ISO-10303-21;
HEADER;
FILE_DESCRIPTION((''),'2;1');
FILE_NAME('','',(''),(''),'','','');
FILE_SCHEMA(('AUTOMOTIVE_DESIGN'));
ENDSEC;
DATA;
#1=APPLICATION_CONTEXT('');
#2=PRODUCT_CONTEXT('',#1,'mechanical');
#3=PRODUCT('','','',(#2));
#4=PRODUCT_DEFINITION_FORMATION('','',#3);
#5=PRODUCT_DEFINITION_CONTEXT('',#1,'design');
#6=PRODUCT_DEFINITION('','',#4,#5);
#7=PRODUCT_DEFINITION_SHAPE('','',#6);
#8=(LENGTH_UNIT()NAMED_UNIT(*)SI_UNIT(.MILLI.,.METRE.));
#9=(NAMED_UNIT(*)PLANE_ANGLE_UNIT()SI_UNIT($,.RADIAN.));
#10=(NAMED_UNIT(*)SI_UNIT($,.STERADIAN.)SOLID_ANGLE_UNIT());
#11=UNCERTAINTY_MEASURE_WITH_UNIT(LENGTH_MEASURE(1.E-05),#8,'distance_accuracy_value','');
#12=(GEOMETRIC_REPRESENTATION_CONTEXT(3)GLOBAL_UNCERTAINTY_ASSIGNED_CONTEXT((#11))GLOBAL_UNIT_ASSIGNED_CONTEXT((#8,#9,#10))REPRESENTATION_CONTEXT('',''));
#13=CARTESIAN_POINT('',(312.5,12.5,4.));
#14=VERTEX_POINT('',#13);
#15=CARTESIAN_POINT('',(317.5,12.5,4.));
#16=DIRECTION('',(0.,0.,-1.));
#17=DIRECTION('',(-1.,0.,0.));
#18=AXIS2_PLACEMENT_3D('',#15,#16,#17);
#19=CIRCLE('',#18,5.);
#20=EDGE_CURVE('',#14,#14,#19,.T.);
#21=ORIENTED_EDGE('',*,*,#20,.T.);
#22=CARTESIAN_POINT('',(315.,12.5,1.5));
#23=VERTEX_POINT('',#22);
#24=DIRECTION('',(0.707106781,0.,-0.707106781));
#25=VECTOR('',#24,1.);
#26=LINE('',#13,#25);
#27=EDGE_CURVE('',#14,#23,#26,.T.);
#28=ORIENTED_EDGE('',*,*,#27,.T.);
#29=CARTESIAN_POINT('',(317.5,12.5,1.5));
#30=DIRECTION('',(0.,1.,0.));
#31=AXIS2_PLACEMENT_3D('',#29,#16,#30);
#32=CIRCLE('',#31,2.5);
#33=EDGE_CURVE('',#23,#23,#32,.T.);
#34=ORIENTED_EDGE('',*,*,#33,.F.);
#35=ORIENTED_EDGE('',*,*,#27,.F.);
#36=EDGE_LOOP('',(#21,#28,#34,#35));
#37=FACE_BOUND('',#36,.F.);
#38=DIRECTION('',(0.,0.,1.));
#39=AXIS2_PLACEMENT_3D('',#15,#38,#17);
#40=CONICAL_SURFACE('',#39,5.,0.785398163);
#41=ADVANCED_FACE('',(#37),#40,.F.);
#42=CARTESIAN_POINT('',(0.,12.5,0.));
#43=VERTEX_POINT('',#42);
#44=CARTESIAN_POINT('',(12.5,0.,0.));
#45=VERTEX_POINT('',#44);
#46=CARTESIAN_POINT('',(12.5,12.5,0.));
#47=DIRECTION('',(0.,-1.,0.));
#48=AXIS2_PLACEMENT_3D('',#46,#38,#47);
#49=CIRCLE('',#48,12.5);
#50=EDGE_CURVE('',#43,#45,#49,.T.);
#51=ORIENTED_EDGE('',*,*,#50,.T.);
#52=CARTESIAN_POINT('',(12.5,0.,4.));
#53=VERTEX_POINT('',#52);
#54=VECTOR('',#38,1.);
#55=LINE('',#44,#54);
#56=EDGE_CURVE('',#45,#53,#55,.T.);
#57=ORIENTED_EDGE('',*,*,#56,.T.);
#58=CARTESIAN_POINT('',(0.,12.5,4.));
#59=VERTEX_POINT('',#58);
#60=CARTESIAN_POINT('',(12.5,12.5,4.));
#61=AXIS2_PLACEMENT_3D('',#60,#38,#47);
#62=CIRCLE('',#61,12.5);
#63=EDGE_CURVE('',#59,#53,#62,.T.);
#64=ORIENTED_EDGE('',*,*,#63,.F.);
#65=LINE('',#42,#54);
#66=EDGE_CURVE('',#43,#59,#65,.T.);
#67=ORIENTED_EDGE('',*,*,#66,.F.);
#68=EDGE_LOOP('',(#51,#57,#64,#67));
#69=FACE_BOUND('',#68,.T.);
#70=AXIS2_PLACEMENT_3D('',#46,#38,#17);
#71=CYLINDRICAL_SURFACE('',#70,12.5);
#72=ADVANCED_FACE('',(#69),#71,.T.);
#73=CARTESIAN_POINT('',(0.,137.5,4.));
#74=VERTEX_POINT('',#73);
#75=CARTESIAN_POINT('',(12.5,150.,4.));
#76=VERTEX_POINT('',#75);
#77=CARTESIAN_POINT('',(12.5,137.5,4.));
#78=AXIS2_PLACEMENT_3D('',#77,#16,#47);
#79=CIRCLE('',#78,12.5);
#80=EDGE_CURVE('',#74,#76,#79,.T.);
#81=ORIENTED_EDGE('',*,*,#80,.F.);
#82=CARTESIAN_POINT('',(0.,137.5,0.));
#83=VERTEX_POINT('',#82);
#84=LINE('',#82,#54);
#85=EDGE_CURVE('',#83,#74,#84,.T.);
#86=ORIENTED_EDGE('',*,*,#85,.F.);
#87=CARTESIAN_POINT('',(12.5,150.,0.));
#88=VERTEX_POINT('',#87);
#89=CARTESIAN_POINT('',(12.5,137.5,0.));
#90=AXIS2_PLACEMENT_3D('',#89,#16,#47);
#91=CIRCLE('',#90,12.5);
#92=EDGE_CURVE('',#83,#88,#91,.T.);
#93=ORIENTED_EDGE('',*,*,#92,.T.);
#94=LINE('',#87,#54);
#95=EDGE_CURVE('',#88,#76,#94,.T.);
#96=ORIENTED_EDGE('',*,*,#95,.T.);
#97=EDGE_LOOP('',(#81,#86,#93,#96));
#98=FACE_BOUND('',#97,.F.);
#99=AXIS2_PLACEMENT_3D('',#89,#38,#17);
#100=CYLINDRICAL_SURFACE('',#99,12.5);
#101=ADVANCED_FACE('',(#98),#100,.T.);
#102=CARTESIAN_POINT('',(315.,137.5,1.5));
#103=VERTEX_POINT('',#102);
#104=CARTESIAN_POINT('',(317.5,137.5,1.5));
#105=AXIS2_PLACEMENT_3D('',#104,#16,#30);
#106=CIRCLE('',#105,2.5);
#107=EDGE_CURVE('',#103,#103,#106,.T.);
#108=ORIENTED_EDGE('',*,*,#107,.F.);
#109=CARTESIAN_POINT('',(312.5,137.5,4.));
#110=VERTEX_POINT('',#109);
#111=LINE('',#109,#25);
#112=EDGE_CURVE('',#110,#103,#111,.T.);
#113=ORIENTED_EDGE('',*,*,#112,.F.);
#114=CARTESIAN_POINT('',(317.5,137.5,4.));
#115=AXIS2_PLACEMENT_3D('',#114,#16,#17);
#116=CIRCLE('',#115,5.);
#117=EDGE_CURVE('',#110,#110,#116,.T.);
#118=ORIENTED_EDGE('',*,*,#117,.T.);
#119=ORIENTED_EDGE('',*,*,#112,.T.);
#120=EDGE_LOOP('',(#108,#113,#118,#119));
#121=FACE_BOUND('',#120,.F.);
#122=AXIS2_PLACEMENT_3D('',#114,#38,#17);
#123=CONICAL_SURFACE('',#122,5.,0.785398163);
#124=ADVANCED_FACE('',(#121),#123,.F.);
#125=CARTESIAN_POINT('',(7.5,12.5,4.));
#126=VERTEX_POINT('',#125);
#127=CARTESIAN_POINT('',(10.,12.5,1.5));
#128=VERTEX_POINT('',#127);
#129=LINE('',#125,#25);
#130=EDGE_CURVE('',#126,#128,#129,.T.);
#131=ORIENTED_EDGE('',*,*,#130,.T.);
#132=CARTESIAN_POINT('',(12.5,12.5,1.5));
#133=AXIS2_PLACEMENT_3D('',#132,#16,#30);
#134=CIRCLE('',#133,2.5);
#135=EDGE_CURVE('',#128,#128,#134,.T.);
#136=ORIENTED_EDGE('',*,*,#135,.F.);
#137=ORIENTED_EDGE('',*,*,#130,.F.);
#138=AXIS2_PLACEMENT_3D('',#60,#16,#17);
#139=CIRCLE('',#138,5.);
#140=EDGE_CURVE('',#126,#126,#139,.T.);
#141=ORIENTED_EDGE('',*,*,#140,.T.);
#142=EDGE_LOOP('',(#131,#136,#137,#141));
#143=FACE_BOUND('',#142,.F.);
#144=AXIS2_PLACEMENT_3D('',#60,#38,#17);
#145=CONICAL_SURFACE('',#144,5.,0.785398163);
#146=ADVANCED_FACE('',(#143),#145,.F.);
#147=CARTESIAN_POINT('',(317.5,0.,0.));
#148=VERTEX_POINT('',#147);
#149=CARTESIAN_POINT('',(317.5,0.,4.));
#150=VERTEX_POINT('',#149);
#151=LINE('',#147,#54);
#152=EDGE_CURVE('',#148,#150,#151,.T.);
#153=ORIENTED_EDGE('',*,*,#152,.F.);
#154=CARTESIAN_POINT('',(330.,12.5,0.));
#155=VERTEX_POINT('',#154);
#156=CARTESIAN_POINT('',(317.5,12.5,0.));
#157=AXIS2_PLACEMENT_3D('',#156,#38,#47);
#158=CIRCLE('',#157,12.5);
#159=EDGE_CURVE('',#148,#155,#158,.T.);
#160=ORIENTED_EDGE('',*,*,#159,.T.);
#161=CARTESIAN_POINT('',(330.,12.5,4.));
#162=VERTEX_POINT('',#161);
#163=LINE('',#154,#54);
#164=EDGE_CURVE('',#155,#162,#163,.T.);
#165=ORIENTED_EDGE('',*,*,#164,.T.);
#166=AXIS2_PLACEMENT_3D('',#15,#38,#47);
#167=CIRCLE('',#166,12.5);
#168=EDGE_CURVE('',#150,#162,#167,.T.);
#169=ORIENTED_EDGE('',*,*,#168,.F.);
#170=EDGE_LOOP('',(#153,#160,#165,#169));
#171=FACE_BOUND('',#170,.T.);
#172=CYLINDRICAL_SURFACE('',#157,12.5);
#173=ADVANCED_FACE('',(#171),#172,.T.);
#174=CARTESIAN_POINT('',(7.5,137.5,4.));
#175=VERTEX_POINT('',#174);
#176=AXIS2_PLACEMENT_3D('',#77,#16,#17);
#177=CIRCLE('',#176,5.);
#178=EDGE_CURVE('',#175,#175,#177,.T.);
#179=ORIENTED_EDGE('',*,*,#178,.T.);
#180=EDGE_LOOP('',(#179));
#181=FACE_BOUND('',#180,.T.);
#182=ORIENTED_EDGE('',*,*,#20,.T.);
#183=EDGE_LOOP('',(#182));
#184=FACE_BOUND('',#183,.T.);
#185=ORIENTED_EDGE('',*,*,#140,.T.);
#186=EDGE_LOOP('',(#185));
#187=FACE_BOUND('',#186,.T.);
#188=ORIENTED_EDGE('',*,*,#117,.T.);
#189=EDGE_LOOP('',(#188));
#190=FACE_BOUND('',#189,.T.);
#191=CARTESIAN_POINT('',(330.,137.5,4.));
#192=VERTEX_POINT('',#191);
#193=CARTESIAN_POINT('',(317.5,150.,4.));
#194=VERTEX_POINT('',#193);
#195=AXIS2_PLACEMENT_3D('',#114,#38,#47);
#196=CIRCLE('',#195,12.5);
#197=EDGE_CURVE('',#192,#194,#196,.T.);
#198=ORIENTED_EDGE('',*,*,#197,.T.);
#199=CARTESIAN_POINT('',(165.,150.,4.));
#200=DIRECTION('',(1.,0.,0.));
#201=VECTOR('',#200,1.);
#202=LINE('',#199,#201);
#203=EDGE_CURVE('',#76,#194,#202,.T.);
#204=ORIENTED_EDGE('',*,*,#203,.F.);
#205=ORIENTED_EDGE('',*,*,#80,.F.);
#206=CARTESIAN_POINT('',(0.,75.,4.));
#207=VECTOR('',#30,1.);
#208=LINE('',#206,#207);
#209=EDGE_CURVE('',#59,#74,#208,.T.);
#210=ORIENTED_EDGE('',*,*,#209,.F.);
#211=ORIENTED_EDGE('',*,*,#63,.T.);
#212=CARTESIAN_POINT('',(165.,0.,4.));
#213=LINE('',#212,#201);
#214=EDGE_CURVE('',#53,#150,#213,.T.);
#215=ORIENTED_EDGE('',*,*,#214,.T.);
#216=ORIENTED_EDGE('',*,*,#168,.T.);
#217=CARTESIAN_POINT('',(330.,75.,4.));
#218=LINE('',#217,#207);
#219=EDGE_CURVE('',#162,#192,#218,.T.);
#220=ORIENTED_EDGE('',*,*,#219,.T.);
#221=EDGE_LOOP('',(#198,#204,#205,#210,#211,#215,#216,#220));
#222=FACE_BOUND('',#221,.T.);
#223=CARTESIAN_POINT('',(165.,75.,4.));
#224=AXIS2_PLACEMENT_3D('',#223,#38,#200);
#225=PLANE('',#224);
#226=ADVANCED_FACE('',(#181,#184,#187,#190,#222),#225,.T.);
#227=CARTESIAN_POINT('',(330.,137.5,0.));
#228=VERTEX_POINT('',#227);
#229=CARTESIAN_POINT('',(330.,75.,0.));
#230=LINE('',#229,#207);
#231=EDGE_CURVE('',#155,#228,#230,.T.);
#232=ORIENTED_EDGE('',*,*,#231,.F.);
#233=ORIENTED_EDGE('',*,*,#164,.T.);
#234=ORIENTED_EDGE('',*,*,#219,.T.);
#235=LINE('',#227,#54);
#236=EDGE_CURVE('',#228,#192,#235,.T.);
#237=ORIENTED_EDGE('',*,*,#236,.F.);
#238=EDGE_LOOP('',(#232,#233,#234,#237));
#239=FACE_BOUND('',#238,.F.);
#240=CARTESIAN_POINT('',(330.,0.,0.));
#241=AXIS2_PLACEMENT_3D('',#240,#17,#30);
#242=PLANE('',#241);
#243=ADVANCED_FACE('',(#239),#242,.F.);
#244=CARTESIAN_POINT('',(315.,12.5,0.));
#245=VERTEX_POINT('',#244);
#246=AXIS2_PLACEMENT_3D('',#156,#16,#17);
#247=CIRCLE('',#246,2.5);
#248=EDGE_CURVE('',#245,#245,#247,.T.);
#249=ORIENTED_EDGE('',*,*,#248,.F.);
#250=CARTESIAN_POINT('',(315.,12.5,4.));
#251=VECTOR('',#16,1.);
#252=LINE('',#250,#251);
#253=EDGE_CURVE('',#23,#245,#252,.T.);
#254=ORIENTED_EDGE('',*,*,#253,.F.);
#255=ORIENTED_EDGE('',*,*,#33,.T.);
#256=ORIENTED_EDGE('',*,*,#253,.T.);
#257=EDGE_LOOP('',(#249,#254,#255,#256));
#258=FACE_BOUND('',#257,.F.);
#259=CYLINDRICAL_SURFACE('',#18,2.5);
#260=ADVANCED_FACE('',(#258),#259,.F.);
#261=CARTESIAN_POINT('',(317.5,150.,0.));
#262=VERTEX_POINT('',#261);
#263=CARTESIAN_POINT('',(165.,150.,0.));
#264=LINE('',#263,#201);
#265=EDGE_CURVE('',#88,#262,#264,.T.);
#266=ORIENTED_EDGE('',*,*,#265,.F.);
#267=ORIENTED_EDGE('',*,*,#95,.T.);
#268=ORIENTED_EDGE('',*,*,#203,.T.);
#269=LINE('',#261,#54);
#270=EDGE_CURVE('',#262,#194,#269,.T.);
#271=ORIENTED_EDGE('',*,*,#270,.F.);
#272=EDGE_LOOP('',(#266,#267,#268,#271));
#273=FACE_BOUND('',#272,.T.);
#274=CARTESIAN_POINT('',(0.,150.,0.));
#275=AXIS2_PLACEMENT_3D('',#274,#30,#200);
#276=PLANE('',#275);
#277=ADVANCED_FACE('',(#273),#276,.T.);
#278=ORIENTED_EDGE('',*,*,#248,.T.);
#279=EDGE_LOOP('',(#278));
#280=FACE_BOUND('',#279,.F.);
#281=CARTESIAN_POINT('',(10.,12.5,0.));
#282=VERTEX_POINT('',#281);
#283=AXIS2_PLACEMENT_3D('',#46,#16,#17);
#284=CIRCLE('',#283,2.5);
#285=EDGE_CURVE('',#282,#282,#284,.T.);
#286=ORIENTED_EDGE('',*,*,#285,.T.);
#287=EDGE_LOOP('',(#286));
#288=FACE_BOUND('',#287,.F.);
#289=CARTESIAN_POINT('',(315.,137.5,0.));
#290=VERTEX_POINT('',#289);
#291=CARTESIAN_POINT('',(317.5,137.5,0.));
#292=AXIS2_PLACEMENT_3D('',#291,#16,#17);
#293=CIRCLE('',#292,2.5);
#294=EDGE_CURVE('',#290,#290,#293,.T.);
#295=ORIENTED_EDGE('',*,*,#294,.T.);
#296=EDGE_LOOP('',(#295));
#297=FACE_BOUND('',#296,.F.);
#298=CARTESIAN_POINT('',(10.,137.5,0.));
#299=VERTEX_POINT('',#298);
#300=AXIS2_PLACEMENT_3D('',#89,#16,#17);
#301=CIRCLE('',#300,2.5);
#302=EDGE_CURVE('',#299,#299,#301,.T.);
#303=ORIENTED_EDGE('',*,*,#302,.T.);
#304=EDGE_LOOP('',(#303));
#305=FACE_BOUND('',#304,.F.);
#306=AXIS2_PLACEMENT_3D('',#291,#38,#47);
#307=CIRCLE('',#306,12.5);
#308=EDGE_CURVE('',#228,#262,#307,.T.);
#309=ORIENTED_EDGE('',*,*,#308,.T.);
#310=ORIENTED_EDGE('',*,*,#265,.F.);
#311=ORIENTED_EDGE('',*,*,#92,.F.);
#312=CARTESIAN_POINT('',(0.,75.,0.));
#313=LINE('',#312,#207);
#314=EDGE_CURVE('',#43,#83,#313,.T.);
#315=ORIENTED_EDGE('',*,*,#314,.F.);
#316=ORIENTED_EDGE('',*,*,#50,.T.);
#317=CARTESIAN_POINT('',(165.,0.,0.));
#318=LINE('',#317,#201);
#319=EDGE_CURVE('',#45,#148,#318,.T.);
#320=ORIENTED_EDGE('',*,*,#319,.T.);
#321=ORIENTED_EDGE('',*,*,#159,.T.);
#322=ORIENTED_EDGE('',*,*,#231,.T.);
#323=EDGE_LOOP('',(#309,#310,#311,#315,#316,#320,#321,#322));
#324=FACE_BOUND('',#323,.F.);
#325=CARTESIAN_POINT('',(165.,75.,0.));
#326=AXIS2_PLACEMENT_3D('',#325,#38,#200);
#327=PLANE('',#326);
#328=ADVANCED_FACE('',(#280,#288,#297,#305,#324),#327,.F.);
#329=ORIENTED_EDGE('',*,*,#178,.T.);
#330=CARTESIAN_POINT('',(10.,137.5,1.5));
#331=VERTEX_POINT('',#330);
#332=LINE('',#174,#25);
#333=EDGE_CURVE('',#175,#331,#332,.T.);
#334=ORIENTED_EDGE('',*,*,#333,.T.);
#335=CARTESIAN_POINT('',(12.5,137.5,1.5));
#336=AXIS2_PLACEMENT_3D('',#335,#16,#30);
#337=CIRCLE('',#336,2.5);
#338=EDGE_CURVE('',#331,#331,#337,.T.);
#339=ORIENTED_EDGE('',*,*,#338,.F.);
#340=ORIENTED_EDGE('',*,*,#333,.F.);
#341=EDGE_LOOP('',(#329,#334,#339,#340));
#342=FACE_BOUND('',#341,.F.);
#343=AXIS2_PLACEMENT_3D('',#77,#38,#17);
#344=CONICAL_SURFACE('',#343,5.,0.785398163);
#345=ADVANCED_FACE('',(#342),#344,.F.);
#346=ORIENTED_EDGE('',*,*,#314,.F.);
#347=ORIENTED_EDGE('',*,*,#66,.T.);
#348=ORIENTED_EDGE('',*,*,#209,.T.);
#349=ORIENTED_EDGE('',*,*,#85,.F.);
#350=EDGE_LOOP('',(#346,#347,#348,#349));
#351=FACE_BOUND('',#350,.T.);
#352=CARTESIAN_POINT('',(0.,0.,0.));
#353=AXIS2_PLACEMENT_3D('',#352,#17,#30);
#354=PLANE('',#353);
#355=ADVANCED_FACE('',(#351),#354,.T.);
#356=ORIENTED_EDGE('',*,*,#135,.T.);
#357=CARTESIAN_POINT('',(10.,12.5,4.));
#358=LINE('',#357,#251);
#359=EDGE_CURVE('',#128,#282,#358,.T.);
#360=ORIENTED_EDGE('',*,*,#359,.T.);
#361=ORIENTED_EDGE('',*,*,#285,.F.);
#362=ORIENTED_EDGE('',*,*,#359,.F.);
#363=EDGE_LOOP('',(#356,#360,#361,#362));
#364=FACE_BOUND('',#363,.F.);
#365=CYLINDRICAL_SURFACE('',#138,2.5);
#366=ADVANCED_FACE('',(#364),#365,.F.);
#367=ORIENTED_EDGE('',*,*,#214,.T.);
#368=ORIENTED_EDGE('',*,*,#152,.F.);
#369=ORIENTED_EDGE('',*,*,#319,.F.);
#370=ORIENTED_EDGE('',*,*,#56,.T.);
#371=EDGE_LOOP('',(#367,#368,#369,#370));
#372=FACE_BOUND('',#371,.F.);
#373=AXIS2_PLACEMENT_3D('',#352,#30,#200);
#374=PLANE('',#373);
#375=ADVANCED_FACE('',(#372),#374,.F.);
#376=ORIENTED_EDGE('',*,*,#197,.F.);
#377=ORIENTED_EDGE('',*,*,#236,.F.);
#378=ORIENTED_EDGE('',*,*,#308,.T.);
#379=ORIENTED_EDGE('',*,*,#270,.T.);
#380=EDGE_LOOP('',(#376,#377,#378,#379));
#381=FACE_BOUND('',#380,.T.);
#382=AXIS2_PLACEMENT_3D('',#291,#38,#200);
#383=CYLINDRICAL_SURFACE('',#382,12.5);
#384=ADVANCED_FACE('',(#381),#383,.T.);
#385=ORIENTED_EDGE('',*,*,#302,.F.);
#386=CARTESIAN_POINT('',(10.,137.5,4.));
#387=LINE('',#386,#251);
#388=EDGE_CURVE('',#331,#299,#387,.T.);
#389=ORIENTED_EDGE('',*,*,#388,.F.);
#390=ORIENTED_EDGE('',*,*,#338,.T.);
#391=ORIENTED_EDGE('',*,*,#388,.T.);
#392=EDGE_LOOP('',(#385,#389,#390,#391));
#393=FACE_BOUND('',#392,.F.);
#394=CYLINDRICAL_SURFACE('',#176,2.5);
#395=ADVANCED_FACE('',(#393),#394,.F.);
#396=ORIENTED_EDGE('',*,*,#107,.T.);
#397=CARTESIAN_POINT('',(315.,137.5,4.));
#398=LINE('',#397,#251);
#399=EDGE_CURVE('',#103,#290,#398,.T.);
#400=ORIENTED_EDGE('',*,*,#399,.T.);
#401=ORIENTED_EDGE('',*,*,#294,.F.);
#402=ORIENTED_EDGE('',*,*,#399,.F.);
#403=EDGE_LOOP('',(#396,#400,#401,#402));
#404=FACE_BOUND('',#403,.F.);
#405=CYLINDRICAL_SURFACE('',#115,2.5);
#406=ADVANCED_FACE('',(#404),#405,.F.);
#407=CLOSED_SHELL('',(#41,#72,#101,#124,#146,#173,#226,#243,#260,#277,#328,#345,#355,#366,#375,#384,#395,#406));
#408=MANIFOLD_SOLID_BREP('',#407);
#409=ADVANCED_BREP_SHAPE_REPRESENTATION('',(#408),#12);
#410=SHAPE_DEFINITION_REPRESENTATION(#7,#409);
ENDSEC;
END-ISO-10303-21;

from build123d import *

# Parameters (mm, degrees)
F0_W           = 330
F0_H           = 150
F1_DEPTH       = 4
F2_R           = 12.5
F4_D           = 5
F4_CSINK_D     = 10
F4_CSINK_ANGLE = 90


with BuildPart() as f1:
    # F0 (on Top) → F1 (new body)
    with BuildSketch(Plane.XY):
        with Locations((165, 75)):
            Rectangle(F0_W, F0_H)
    extrude(amount=F1_DEPTH)

    # F2
    f2_edges = [f1.edges().sort_by_distance(p)[0] for p in [
        (330, 0, 2),
        (330, 150, 2),
        (0, 150, 2),
        (0, 0, 2),
    ]]
    fillet(f2_edges, radius=F2_R)

    # F4 (through all)
    with Locations(Plane.XY.offset(4)):
        with Locations((12.5, 137.5), (317.5, 137.5), (317.5, 12.5), (12.5, 12.5)):
            CounterSinkHole(F4_D / 2, F4_CSINK_D / 2, counter_sink_angle=F4_CSINK_ANGLE)


solid = f1.part
